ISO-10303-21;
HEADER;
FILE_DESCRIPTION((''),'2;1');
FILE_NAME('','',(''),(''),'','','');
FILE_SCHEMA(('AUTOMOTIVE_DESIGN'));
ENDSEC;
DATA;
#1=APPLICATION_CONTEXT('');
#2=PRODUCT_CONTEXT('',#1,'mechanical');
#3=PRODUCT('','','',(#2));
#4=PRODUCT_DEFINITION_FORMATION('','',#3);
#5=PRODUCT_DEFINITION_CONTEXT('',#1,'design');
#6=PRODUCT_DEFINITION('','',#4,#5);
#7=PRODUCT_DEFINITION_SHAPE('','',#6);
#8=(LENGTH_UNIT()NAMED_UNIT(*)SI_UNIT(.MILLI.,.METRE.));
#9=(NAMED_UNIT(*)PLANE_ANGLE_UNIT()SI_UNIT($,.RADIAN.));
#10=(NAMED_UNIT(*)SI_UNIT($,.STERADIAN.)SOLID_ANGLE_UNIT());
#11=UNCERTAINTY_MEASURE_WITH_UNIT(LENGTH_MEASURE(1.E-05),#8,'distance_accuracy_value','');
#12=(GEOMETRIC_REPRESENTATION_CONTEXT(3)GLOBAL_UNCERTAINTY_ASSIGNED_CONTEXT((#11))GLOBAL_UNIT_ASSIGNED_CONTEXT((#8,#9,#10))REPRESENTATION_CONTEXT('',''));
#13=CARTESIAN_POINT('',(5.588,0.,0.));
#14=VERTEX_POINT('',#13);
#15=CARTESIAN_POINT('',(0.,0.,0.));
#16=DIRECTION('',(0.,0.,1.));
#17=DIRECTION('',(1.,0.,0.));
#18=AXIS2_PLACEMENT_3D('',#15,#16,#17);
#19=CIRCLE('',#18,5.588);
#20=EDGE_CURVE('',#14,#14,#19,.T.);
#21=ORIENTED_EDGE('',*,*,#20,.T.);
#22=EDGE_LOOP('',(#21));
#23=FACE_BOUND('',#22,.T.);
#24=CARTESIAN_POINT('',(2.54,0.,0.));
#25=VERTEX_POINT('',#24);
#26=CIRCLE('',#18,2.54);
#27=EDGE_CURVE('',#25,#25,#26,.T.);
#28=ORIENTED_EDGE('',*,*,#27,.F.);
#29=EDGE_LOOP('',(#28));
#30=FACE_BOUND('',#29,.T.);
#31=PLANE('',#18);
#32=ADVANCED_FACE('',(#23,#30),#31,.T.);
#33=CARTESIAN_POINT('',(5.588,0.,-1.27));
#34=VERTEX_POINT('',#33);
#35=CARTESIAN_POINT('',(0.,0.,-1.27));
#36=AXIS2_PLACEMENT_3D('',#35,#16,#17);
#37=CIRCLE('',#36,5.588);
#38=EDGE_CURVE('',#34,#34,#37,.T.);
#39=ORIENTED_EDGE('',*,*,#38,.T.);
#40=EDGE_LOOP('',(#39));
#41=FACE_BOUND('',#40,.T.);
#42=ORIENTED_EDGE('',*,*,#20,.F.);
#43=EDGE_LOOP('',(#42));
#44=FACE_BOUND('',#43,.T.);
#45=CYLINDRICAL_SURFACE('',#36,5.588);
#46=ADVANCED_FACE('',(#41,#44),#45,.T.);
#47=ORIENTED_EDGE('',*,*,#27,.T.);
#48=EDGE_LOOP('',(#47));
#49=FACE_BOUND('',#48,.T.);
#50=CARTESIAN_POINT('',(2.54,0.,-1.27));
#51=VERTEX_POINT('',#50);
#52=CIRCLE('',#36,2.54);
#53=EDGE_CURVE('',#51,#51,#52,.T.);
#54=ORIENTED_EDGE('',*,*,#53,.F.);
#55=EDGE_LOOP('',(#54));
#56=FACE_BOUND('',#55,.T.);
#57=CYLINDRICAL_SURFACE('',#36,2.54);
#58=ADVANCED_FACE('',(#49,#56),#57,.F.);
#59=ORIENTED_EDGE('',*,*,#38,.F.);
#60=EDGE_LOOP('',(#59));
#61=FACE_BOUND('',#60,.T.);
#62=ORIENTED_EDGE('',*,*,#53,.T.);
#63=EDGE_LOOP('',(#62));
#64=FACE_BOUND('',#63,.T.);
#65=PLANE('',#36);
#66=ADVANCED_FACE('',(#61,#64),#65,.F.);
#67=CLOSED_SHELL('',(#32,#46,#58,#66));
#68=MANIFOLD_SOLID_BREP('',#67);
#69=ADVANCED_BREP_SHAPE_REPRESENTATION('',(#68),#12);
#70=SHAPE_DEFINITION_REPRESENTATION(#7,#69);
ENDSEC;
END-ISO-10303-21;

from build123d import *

# Parameters (mm, degrees)
SKETCH1_R      = 5.588
SKETCH1_R_2    = 2.54
EXTRUDE1_DEPTH = 1.27


with BuildPart() as part:
    # Sketch1 → Extrude1 (new body)
    with BuildSketch(Plane.XY):
        Circle(SKETCH1_R)
        Circle(SKETCH1_R_2, mode=Mode.SUBTRACT)
    extrude(amount=-EXTRUDE1_DEPTH)


solid = part.part
